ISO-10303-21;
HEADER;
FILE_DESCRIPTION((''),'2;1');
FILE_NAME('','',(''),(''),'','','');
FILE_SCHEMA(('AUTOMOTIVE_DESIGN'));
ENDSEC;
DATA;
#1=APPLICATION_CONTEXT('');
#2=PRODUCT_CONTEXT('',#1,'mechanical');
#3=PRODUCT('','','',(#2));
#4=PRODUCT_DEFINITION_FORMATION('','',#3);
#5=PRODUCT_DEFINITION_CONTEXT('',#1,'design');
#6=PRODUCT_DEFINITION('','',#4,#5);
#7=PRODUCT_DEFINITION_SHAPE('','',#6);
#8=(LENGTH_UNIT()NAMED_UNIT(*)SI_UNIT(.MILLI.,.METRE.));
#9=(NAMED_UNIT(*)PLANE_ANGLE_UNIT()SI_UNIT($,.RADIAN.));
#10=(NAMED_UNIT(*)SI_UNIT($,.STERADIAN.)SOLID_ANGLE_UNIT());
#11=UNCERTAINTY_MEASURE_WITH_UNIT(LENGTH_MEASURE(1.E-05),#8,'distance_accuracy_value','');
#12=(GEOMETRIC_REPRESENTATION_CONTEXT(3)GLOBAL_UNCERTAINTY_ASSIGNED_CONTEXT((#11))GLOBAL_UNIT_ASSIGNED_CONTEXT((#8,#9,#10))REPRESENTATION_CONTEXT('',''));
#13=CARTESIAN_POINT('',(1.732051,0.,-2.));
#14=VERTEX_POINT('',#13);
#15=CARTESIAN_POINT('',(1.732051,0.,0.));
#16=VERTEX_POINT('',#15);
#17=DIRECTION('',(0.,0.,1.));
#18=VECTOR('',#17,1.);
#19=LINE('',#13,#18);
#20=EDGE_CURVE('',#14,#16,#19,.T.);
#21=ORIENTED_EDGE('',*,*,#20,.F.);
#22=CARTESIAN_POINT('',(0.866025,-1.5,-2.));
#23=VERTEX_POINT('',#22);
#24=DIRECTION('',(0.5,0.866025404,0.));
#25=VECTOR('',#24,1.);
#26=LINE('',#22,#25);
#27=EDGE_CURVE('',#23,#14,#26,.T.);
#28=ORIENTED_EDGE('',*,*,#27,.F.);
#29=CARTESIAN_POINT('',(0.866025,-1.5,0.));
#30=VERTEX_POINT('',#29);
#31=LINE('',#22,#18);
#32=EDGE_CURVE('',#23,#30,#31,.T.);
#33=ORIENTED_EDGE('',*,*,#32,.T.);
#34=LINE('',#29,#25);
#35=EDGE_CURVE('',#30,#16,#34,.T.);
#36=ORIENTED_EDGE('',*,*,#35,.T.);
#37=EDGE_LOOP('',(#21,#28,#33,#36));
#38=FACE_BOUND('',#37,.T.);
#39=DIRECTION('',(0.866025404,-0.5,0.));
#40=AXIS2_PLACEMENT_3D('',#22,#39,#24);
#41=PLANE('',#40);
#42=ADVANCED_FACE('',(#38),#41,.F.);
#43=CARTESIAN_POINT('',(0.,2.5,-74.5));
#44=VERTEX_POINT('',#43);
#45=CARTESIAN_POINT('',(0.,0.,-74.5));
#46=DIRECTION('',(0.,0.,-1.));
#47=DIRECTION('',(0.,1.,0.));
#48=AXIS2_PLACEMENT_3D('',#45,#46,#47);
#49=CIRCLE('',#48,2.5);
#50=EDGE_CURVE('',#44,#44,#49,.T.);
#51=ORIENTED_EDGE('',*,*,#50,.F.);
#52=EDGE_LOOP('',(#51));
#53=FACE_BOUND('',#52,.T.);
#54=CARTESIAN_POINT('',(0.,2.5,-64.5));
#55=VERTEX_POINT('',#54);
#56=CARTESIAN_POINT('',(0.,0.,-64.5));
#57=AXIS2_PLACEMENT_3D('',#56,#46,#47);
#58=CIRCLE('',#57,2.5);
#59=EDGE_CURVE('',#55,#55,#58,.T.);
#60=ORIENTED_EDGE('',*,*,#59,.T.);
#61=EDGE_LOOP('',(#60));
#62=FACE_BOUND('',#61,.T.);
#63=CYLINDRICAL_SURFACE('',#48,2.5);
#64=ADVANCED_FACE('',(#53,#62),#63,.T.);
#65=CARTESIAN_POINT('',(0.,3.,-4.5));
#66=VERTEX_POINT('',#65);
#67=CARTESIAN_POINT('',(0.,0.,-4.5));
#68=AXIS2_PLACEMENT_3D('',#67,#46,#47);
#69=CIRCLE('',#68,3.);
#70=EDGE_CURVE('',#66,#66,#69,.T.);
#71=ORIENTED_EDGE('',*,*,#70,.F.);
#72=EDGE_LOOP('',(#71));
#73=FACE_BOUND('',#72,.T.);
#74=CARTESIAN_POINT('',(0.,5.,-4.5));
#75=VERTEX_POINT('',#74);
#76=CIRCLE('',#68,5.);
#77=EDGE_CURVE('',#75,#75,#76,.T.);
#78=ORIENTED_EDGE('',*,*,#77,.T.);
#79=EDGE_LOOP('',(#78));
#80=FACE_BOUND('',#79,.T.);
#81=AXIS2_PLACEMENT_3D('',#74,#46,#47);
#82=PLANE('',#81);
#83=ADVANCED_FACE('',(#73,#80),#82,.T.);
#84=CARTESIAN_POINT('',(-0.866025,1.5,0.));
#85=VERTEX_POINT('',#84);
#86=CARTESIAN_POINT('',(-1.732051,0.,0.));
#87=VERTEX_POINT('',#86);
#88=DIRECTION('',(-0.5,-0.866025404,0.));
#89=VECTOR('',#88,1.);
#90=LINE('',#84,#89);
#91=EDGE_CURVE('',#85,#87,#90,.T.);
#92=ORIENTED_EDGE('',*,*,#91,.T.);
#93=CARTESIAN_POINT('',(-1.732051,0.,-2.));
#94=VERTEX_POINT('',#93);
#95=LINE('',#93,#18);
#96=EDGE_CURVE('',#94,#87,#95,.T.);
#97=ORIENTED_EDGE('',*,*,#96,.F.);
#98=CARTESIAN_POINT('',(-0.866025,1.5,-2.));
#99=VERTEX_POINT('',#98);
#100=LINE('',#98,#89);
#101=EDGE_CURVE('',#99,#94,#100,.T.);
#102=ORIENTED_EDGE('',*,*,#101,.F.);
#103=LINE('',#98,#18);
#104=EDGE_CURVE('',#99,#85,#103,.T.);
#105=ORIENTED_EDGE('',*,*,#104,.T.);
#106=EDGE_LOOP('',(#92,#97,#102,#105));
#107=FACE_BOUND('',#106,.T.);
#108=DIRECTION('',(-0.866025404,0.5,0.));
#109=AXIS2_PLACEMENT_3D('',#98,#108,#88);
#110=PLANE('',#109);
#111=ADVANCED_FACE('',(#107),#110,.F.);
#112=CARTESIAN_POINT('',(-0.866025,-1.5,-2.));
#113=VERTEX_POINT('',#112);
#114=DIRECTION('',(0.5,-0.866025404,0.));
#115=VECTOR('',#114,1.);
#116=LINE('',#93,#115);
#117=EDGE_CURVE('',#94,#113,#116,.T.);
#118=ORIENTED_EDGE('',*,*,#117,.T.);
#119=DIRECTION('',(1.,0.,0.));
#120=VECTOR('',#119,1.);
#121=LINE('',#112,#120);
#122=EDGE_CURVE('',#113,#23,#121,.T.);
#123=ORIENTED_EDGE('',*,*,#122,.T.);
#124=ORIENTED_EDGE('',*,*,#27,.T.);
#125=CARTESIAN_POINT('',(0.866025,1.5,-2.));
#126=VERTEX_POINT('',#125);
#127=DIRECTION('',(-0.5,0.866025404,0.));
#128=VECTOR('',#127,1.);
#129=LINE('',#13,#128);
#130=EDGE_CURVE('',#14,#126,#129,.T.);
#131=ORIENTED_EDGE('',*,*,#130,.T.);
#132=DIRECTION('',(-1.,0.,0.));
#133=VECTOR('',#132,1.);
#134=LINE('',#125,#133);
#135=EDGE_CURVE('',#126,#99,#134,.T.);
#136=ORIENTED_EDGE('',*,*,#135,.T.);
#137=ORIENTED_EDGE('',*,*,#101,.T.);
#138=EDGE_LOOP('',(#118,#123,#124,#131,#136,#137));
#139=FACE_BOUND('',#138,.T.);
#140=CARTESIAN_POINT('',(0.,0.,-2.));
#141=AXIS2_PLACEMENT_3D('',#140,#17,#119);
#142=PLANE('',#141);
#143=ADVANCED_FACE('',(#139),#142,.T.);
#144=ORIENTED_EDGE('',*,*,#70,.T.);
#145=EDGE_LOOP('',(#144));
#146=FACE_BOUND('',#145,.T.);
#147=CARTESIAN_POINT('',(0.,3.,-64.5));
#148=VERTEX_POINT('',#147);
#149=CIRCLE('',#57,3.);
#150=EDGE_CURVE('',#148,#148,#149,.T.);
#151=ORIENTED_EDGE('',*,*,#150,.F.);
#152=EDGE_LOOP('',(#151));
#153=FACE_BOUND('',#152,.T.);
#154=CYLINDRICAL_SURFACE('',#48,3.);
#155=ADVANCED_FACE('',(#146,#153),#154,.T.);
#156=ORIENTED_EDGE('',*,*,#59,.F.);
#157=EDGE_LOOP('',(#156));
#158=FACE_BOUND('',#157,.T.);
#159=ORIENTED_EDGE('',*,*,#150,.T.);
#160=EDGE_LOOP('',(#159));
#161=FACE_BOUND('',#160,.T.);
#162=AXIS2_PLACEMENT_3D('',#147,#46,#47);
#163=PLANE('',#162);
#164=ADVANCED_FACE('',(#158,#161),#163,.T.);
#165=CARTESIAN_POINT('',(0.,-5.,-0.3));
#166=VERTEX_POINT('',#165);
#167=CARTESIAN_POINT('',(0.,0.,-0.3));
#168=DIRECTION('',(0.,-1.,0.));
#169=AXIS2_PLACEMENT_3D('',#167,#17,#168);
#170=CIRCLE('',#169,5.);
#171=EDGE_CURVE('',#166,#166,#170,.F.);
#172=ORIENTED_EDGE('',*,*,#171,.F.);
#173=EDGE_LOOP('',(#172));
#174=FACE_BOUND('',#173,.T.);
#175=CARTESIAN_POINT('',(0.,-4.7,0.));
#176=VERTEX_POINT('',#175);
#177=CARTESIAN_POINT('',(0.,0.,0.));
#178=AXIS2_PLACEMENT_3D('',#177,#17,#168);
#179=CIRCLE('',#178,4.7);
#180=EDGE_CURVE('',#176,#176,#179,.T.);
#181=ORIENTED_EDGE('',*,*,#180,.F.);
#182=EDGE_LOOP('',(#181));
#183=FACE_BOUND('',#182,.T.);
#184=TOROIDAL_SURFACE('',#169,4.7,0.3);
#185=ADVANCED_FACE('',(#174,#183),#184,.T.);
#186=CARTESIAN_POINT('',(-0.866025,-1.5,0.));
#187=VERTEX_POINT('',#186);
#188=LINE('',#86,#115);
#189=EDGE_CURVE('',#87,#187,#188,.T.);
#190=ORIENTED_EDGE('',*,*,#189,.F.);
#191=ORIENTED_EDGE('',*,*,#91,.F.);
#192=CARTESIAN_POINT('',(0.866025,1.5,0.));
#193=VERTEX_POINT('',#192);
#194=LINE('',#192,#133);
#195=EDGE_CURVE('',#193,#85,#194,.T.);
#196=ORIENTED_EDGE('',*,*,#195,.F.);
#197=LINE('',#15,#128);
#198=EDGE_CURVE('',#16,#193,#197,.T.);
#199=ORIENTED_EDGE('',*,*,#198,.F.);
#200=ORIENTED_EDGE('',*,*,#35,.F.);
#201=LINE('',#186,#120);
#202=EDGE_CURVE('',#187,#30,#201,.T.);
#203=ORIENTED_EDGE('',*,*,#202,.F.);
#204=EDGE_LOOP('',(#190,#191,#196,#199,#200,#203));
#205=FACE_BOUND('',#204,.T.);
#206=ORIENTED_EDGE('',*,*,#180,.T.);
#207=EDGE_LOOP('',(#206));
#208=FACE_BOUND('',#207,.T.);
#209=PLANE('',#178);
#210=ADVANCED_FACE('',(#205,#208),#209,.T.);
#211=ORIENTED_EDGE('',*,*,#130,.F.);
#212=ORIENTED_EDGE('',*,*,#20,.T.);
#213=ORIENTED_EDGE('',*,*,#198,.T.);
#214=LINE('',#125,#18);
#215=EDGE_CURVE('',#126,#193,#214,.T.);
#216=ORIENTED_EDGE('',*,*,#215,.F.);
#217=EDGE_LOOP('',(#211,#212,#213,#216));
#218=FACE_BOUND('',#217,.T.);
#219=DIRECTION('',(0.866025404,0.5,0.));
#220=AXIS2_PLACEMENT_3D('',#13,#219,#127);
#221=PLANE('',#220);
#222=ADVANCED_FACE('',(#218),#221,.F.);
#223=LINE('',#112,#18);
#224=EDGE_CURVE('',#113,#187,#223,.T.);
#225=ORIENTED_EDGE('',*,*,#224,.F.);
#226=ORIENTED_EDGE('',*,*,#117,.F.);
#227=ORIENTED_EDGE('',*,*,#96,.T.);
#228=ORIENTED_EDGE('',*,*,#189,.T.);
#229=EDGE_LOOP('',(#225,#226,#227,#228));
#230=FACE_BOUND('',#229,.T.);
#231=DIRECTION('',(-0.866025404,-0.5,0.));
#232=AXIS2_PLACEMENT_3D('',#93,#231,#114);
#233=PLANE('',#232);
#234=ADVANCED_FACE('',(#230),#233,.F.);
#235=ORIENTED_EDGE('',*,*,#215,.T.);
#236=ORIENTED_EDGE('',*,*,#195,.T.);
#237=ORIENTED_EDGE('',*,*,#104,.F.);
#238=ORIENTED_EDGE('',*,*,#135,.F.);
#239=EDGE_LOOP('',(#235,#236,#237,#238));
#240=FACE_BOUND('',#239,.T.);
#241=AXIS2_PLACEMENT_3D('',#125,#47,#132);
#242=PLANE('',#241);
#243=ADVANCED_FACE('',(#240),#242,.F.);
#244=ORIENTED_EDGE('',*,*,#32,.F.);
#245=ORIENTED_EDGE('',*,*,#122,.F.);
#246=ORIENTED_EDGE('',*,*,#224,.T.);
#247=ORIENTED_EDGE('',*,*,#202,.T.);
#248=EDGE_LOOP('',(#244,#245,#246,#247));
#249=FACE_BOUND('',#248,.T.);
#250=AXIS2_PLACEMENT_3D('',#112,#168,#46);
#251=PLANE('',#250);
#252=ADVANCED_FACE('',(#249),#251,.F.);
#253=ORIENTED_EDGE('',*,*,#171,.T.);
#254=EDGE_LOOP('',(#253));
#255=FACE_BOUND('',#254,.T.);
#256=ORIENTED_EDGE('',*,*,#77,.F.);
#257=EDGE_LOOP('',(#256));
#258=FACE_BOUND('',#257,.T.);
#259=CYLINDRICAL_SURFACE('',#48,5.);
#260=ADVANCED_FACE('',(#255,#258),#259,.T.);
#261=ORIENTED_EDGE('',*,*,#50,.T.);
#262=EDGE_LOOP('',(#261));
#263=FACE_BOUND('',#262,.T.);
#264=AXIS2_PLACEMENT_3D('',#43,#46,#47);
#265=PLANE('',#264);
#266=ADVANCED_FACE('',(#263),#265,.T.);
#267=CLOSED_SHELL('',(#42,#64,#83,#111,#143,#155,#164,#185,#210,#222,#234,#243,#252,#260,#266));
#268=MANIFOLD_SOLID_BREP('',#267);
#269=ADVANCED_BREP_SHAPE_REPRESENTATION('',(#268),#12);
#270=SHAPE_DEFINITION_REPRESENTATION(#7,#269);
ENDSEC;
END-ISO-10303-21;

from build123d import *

# Parameters (mm, degrees)
CUT_EXTRUDE_1_DEPTH = 2
FILLET_1_R          = 0.3


with BuildPart() as part:
    # 草图1 → 旋转1 (revolve)
    with BuildSketch(Plane(origin=(0, 0, 0), x_dir=(0, 0, -1), z_dir=(1, 0, 0))):
        Polygon((0, 0), (0, 5), (4.5, 5), (4.5, 3), (64.5, 3), (64.5, 2.5), (74.5, 2.5), (74.5, 0), align=None)
    revolve(axis=Axis((0, 0, -74.5), (0, 0, 1)))

    # 草图2 → 切除-拉伸1 (cut)
    with BuildSketch(Plane.XY):
        Polygon((0.866025404, 1.5), (-0.866025404, 1.5), (-1.732050808, 0), (-0.866025404, -1.5), (0.866025404, -1.5), (1.732050808, 0), align=None)
    extrude(amount=-CUT_EXTRUDE_1_DEPTH, mode=Mode.SUBTRACT)

    # 圆角1
    fillet_1_edges = [part.edges().sort_by_distance(p)[0] for p in [
        (0, -5, 0),
    ]]
    fillet(fillet_1_edges, radius=FILLET_1_R)


solid = part.part
